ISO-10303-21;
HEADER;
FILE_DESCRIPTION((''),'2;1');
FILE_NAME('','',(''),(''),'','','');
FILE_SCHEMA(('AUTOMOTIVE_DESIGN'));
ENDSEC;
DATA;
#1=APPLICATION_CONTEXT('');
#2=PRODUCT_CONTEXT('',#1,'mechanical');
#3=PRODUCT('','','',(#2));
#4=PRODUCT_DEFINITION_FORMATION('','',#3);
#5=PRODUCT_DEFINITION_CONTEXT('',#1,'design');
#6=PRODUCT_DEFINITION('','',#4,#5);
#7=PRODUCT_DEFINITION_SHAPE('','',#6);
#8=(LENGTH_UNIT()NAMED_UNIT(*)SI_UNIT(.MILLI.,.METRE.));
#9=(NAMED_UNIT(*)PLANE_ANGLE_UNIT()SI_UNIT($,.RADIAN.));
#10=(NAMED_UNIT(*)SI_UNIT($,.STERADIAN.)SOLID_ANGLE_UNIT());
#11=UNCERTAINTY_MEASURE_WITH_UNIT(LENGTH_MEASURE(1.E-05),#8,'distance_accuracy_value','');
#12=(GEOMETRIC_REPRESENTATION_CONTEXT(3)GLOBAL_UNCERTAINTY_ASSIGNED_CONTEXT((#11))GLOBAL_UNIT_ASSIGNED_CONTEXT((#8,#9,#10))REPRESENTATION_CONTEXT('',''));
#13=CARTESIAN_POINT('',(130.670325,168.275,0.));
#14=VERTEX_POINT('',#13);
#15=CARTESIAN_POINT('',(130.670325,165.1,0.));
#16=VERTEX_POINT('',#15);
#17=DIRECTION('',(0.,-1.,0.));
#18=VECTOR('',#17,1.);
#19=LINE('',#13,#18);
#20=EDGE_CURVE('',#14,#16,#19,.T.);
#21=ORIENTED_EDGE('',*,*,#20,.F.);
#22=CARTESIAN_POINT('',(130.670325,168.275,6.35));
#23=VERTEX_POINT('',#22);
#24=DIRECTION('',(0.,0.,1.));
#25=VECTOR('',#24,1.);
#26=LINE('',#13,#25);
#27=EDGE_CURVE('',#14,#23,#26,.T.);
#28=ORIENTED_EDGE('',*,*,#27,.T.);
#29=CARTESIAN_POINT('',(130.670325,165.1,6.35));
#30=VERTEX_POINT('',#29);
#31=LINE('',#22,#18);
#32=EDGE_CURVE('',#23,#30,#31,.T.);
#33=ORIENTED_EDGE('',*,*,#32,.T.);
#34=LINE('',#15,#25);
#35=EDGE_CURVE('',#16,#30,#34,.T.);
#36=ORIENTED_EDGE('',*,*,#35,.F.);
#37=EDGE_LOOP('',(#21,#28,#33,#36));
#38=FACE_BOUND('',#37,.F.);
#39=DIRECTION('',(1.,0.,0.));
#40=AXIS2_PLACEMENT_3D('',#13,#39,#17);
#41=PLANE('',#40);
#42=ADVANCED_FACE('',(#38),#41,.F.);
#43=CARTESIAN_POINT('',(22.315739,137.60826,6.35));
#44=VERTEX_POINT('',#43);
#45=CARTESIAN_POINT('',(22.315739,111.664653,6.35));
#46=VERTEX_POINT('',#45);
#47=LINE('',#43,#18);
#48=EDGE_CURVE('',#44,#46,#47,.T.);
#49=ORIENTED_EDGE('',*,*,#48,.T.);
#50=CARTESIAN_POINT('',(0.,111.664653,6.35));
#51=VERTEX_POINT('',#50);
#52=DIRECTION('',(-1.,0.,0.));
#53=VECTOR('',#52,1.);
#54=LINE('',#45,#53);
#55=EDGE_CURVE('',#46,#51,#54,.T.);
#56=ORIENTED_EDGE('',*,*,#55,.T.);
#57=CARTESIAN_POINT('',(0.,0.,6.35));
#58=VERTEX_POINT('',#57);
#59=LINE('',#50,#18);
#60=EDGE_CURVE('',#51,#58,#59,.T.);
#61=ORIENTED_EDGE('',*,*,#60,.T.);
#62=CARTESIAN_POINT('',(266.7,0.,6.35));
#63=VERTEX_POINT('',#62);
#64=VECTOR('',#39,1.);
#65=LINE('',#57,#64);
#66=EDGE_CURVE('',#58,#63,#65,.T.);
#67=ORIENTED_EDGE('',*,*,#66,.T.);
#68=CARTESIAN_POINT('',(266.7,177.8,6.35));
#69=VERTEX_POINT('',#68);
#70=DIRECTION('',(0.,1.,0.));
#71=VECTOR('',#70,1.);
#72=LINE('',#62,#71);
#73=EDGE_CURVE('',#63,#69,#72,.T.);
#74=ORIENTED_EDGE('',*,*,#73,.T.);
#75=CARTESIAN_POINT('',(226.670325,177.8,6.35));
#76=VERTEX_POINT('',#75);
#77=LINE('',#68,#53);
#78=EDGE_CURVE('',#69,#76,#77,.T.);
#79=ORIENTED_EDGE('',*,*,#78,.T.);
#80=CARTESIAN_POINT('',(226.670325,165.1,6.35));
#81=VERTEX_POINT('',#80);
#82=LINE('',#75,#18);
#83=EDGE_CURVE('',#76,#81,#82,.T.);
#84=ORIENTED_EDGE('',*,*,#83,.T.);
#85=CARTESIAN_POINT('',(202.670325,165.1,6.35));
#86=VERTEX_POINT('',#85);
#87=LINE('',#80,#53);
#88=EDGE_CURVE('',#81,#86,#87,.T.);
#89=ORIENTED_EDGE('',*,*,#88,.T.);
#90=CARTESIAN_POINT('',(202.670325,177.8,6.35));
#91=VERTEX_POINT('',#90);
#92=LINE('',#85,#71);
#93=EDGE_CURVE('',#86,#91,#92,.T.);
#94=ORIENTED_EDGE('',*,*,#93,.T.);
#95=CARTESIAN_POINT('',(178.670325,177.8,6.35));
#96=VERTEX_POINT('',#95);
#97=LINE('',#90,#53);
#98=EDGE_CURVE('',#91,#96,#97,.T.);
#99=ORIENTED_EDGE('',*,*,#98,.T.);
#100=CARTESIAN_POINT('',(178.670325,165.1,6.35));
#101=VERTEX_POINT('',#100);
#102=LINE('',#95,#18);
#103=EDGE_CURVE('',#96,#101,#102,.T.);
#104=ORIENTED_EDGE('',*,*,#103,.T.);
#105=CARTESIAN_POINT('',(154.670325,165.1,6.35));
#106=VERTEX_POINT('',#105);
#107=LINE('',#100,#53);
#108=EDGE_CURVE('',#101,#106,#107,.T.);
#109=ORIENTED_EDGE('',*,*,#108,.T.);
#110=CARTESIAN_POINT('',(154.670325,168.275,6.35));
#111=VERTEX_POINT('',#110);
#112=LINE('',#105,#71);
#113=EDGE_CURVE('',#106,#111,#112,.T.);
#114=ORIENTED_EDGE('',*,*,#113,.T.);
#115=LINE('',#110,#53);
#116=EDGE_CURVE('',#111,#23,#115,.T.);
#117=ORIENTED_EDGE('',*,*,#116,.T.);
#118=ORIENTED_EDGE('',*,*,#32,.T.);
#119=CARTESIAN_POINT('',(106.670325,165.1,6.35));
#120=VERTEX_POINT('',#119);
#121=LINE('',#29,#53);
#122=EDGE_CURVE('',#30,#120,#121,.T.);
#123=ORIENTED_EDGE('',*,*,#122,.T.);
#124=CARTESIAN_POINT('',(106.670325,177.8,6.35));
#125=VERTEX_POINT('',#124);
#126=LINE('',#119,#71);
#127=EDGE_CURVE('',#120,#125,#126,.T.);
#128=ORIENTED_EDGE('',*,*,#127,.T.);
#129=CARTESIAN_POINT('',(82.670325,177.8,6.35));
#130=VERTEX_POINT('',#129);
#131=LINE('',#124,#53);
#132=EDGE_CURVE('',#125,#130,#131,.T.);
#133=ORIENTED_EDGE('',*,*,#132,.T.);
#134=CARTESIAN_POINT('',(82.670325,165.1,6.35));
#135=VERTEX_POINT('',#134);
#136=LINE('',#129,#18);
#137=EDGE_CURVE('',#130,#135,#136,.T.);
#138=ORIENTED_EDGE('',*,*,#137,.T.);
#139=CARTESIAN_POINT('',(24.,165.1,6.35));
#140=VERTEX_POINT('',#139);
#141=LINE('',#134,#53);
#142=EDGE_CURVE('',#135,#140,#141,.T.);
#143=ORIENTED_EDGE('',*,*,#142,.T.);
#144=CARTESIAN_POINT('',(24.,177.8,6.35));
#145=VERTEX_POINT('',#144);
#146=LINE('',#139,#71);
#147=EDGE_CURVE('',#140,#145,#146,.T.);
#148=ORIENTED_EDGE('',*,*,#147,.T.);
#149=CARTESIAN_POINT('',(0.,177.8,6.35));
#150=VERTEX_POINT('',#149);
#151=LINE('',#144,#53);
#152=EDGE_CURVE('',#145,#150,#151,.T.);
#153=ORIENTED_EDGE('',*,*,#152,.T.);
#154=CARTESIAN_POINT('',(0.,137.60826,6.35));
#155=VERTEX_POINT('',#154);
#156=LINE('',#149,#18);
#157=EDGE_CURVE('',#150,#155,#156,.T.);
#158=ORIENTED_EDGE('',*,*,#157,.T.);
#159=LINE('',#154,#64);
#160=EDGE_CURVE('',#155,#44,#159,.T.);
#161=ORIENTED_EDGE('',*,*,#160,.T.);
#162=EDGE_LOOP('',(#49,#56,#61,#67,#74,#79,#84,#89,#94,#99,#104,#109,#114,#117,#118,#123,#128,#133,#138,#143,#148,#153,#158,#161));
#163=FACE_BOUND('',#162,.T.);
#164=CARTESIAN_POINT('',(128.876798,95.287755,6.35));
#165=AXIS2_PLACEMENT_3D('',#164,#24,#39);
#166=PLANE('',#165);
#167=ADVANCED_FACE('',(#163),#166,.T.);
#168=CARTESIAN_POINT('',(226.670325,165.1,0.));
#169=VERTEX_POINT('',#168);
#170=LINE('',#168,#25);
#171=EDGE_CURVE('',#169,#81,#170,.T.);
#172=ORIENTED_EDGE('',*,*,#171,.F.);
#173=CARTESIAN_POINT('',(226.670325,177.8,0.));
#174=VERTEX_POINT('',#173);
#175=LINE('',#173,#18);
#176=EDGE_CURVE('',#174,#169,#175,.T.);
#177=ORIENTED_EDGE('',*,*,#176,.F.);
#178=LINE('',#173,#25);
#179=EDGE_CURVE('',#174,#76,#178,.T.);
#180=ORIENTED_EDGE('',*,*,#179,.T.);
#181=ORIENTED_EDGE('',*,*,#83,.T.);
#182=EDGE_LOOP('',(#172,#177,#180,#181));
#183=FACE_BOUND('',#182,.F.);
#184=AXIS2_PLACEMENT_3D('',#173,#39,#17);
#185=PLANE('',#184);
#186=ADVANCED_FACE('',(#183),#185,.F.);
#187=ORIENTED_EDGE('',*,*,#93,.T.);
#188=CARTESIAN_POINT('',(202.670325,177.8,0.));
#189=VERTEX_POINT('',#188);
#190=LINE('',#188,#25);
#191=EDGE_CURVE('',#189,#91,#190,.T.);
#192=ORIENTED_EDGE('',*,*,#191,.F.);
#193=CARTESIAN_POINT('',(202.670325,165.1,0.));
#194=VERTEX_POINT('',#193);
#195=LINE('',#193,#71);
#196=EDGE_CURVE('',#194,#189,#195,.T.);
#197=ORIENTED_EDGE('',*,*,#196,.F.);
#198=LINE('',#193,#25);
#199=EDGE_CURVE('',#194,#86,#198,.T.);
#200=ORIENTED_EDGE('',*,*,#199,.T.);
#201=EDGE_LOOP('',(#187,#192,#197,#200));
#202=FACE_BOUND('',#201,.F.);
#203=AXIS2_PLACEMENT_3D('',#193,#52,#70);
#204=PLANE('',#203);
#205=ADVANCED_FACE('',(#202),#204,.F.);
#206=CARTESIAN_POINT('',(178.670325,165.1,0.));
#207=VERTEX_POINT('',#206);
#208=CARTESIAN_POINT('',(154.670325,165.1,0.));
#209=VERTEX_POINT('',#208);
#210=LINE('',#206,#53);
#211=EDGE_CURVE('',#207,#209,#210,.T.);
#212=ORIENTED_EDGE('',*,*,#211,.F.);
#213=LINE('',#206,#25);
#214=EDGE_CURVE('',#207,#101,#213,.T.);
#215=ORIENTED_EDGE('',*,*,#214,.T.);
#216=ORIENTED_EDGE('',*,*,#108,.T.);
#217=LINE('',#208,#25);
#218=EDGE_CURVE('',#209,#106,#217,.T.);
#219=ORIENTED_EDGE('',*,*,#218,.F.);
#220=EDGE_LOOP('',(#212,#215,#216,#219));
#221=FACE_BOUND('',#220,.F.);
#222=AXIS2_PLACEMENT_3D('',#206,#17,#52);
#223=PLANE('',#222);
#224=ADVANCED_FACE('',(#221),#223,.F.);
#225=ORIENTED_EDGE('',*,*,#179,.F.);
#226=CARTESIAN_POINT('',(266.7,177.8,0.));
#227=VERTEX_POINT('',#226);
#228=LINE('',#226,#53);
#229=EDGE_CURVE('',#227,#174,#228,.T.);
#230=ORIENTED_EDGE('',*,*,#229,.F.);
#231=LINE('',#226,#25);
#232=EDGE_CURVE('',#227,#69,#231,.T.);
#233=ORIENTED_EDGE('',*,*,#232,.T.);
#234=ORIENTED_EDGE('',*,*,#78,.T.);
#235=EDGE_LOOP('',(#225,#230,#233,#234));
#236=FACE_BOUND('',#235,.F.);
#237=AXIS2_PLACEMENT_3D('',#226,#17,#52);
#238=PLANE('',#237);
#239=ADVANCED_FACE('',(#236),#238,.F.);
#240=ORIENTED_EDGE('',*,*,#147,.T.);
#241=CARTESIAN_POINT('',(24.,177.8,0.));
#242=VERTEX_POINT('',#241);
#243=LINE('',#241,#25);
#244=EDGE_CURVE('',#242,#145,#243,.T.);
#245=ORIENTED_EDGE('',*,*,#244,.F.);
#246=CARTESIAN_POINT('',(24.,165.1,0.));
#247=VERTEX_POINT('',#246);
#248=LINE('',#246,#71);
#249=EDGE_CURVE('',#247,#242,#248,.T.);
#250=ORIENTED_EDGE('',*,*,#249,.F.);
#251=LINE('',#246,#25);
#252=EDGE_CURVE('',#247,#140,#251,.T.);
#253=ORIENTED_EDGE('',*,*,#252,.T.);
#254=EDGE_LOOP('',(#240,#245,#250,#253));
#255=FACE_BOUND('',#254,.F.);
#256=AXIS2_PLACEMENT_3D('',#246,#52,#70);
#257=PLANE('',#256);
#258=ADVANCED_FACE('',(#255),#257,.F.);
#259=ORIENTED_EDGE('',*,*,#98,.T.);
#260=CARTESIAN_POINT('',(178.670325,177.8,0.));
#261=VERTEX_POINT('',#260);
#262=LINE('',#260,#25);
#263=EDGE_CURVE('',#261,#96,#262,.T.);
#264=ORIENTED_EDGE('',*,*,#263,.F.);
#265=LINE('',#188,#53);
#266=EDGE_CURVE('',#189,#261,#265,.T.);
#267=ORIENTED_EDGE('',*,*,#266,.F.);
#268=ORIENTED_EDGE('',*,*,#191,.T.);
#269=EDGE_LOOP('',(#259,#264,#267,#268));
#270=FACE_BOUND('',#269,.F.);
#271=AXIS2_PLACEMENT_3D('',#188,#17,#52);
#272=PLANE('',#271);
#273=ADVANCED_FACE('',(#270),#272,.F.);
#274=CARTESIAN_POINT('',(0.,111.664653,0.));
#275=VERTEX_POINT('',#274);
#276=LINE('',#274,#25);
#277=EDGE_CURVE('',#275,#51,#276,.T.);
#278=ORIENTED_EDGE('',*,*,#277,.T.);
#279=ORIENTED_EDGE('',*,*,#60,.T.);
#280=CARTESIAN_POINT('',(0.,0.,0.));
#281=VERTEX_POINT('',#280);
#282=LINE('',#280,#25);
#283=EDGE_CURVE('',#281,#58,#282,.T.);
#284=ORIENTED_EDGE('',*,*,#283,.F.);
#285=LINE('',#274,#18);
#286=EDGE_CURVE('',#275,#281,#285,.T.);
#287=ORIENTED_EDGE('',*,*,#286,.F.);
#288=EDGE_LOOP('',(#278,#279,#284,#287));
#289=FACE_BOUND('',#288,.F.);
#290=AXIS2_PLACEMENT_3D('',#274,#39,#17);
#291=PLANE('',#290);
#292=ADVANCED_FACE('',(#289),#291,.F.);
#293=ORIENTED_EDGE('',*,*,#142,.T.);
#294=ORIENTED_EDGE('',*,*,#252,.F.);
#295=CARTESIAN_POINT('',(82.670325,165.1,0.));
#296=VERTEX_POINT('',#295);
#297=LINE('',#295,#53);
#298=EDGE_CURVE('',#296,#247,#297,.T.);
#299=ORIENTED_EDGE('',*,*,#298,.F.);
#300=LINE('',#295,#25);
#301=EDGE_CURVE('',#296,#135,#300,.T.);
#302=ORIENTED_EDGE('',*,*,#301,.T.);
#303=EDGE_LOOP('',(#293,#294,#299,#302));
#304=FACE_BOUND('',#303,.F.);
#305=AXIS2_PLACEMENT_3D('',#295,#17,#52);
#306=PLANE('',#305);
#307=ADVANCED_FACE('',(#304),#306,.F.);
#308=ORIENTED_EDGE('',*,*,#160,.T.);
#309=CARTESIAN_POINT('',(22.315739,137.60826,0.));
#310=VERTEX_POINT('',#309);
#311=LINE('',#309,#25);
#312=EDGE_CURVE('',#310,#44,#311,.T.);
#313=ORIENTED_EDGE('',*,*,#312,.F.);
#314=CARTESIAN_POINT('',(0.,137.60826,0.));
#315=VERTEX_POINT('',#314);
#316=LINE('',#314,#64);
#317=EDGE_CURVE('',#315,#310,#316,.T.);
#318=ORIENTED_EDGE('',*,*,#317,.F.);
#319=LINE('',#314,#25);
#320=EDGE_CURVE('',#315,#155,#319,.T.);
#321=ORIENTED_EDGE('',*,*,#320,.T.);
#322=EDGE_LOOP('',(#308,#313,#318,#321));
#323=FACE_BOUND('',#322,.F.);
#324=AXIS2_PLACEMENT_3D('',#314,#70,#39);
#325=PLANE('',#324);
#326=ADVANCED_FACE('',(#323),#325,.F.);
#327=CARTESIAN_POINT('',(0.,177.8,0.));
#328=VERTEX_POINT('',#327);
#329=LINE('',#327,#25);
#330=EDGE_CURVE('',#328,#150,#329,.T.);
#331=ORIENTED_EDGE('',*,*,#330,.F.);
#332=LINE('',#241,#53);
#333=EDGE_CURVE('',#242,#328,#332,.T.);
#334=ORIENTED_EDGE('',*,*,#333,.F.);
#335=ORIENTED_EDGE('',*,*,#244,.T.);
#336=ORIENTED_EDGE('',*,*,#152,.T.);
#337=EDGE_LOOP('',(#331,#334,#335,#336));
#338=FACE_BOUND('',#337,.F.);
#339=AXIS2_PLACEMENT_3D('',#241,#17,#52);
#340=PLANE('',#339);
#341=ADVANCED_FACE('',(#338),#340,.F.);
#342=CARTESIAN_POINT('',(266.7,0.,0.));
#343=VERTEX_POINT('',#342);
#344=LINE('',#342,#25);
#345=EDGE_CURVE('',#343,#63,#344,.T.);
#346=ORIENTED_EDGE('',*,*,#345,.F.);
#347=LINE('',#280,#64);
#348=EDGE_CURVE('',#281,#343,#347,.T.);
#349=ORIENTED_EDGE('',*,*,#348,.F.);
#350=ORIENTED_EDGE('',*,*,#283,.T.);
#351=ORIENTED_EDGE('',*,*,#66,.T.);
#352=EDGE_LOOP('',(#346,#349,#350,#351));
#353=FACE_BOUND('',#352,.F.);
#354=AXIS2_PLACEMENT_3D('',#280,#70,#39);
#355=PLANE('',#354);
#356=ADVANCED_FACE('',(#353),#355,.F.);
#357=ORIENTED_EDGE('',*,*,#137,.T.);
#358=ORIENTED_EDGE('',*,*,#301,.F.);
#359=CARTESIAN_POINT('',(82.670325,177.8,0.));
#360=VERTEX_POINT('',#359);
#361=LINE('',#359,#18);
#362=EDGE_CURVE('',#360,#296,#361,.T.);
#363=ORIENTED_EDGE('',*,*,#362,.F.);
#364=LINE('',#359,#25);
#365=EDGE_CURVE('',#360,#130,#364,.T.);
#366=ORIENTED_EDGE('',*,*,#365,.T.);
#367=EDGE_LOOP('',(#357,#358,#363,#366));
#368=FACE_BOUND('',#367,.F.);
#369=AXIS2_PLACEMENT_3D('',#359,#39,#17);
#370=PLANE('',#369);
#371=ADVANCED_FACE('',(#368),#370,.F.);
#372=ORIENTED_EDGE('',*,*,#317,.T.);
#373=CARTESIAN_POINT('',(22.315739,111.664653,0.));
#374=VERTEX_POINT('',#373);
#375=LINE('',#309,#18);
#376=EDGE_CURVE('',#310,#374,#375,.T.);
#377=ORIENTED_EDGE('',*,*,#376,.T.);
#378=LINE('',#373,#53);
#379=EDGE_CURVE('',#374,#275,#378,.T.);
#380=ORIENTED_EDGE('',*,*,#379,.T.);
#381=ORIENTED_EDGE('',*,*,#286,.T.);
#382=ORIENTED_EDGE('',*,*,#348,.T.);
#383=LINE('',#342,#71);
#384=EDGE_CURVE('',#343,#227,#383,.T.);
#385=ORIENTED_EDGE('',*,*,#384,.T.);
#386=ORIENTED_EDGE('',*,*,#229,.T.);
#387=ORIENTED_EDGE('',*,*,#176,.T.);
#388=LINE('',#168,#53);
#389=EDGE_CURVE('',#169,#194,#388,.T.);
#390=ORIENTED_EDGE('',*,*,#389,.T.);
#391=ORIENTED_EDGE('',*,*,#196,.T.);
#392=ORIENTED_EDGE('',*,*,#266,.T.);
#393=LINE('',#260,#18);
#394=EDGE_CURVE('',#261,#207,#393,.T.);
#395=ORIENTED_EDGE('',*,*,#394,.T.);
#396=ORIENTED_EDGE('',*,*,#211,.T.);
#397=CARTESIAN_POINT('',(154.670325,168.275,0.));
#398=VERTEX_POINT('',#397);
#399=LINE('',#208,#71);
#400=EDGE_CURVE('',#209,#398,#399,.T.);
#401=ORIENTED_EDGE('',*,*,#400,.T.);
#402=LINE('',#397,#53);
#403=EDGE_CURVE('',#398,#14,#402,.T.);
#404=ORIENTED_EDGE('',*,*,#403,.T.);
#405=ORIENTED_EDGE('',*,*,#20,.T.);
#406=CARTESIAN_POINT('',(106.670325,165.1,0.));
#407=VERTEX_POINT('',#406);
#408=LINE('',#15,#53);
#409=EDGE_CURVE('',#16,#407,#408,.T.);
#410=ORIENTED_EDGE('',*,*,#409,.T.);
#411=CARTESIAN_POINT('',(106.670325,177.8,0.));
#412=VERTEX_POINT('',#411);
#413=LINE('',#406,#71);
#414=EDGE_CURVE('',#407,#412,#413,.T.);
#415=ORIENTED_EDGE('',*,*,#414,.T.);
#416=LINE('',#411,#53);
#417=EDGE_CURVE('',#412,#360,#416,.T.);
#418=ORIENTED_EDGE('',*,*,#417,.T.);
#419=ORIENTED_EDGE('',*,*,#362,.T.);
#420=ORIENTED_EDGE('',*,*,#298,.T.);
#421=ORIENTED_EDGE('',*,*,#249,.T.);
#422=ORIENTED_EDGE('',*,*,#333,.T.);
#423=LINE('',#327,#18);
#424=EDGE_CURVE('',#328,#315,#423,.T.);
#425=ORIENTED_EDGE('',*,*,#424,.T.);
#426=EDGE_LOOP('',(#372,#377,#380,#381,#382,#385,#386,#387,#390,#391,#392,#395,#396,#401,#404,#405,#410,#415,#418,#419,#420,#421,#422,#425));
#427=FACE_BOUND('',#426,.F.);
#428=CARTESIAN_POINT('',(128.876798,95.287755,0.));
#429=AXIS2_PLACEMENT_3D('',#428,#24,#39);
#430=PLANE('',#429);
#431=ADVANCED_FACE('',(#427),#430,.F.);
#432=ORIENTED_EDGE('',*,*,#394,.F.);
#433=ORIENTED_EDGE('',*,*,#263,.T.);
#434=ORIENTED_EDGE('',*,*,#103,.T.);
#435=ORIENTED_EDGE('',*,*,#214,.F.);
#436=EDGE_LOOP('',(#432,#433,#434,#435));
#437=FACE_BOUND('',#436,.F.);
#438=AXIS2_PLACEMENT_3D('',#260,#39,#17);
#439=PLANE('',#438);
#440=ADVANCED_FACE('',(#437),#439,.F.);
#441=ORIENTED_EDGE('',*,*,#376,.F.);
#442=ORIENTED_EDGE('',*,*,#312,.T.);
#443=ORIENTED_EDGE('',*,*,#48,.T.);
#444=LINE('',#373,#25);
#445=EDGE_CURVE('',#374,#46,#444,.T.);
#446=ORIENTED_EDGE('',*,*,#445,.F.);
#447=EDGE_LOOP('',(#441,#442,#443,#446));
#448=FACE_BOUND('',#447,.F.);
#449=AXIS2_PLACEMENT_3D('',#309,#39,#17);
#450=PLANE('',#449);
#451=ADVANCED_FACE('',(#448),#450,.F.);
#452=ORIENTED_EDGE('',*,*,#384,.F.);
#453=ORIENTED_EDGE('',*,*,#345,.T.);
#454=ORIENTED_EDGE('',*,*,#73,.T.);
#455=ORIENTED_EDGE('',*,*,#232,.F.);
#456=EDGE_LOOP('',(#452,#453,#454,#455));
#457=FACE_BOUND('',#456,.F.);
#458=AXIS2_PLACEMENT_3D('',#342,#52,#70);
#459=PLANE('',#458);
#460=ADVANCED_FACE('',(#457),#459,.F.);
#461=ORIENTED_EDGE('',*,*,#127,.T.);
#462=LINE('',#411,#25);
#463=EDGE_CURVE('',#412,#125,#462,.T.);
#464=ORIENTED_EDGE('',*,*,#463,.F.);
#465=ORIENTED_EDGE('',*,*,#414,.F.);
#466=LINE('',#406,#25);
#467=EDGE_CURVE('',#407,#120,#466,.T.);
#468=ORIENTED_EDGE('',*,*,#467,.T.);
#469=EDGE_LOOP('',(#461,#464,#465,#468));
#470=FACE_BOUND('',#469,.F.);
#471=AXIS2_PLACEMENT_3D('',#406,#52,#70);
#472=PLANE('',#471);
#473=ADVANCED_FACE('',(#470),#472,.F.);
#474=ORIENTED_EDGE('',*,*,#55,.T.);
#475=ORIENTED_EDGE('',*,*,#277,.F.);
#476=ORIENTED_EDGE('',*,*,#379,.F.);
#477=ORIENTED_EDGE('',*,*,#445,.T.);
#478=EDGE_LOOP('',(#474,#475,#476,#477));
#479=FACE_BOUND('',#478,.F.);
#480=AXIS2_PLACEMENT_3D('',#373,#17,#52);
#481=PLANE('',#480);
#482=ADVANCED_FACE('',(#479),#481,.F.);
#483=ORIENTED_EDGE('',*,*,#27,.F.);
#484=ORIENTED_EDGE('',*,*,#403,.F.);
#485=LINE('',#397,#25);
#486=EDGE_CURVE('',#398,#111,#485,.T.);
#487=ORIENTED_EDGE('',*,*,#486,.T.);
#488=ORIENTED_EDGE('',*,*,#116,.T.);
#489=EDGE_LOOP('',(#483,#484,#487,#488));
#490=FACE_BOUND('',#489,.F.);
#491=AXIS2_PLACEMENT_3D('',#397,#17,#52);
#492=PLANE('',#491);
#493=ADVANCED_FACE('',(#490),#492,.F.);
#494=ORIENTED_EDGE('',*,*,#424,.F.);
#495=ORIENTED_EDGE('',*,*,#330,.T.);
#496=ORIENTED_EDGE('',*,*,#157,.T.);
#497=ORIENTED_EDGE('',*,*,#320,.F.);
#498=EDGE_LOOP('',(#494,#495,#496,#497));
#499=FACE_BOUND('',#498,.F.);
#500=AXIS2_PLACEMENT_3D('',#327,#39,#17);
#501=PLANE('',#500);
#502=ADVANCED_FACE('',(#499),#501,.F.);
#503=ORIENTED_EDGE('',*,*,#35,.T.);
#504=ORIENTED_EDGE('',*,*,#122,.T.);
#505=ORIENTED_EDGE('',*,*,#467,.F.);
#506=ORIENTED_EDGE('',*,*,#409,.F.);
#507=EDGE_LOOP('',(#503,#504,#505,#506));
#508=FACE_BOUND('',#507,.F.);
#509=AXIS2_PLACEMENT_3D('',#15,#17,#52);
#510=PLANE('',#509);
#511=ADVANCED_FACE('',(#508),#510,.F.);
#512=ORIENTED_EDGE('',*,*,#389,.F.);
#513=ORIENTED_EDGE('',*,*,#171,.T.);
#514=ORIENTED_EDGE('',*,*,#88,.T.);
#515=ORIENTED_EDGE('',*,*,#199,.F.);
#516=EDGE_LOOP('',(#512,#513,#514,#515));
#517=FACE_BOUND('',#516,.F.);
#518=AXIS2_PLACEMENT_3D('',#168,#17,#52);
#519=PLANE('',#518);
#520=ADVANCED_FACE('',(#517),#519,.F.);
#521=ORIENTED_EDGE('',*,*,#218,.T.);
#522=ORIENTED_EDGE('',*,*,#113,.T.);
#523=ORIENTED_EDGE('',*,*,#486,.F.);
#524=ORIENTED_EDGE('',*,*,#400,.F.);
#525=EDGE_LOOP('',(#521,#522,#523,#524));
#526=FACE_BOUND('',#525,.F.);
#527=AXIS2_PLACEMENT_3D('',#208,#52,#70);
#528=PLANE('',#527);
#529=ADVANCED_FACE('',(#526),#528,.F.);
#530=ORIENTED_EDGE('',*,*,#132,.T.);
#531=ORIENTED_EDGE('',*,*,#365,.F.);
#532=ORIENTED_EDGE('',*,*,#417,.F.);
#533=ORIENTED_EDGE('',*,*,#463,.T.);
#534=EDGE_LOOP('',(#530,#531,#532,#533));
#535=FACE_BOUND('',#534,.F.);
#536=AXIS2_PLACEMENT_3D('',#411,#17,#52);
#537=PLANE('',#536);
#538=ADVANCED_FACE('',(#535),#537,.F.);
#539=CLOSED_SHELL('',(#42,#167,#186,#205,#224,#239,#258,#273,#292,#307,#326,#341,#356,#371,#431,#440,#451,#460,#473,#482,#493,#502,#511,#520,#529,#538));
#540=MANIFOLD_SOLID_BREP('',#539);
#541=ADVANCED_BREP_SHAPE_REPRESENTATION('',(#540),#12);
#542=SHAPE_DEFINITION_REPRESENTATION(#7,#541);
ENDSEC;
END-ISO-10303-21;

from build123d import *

# Parameters (mm, degrees)
F1_DEPTH = 6.35


with BuildPart() as f1:
    # F0 (on Top) → F1 (new body)
    with BuildSketch(Plane.XY):
        Polygon((0, 111.664653), (0, 0), (266.7, 0), (266.7, 177.8), (226.670325, 177.8), (226.670325, 165.1), (202.670325, 165.1), (202.670325, 177.8), (178.670325, 177.8), (178.670325, 165.1), (154.670325, 165.1), (154.670325, 168.275), (130.670325, 168.275), (130.670325, 165.1), (106.670325, 165.1), (106.670325, 177.8), (82.670325, 177.8), (82.670325, 165.1), (24, 165.1), (24, 177.8), (0, 177.8), (0, 137.60826), (22.315739, 137.60826), (22.315739, 111.664653), align=None)
    extrude(amount=F1_DEPTH)


solid = f1.part
